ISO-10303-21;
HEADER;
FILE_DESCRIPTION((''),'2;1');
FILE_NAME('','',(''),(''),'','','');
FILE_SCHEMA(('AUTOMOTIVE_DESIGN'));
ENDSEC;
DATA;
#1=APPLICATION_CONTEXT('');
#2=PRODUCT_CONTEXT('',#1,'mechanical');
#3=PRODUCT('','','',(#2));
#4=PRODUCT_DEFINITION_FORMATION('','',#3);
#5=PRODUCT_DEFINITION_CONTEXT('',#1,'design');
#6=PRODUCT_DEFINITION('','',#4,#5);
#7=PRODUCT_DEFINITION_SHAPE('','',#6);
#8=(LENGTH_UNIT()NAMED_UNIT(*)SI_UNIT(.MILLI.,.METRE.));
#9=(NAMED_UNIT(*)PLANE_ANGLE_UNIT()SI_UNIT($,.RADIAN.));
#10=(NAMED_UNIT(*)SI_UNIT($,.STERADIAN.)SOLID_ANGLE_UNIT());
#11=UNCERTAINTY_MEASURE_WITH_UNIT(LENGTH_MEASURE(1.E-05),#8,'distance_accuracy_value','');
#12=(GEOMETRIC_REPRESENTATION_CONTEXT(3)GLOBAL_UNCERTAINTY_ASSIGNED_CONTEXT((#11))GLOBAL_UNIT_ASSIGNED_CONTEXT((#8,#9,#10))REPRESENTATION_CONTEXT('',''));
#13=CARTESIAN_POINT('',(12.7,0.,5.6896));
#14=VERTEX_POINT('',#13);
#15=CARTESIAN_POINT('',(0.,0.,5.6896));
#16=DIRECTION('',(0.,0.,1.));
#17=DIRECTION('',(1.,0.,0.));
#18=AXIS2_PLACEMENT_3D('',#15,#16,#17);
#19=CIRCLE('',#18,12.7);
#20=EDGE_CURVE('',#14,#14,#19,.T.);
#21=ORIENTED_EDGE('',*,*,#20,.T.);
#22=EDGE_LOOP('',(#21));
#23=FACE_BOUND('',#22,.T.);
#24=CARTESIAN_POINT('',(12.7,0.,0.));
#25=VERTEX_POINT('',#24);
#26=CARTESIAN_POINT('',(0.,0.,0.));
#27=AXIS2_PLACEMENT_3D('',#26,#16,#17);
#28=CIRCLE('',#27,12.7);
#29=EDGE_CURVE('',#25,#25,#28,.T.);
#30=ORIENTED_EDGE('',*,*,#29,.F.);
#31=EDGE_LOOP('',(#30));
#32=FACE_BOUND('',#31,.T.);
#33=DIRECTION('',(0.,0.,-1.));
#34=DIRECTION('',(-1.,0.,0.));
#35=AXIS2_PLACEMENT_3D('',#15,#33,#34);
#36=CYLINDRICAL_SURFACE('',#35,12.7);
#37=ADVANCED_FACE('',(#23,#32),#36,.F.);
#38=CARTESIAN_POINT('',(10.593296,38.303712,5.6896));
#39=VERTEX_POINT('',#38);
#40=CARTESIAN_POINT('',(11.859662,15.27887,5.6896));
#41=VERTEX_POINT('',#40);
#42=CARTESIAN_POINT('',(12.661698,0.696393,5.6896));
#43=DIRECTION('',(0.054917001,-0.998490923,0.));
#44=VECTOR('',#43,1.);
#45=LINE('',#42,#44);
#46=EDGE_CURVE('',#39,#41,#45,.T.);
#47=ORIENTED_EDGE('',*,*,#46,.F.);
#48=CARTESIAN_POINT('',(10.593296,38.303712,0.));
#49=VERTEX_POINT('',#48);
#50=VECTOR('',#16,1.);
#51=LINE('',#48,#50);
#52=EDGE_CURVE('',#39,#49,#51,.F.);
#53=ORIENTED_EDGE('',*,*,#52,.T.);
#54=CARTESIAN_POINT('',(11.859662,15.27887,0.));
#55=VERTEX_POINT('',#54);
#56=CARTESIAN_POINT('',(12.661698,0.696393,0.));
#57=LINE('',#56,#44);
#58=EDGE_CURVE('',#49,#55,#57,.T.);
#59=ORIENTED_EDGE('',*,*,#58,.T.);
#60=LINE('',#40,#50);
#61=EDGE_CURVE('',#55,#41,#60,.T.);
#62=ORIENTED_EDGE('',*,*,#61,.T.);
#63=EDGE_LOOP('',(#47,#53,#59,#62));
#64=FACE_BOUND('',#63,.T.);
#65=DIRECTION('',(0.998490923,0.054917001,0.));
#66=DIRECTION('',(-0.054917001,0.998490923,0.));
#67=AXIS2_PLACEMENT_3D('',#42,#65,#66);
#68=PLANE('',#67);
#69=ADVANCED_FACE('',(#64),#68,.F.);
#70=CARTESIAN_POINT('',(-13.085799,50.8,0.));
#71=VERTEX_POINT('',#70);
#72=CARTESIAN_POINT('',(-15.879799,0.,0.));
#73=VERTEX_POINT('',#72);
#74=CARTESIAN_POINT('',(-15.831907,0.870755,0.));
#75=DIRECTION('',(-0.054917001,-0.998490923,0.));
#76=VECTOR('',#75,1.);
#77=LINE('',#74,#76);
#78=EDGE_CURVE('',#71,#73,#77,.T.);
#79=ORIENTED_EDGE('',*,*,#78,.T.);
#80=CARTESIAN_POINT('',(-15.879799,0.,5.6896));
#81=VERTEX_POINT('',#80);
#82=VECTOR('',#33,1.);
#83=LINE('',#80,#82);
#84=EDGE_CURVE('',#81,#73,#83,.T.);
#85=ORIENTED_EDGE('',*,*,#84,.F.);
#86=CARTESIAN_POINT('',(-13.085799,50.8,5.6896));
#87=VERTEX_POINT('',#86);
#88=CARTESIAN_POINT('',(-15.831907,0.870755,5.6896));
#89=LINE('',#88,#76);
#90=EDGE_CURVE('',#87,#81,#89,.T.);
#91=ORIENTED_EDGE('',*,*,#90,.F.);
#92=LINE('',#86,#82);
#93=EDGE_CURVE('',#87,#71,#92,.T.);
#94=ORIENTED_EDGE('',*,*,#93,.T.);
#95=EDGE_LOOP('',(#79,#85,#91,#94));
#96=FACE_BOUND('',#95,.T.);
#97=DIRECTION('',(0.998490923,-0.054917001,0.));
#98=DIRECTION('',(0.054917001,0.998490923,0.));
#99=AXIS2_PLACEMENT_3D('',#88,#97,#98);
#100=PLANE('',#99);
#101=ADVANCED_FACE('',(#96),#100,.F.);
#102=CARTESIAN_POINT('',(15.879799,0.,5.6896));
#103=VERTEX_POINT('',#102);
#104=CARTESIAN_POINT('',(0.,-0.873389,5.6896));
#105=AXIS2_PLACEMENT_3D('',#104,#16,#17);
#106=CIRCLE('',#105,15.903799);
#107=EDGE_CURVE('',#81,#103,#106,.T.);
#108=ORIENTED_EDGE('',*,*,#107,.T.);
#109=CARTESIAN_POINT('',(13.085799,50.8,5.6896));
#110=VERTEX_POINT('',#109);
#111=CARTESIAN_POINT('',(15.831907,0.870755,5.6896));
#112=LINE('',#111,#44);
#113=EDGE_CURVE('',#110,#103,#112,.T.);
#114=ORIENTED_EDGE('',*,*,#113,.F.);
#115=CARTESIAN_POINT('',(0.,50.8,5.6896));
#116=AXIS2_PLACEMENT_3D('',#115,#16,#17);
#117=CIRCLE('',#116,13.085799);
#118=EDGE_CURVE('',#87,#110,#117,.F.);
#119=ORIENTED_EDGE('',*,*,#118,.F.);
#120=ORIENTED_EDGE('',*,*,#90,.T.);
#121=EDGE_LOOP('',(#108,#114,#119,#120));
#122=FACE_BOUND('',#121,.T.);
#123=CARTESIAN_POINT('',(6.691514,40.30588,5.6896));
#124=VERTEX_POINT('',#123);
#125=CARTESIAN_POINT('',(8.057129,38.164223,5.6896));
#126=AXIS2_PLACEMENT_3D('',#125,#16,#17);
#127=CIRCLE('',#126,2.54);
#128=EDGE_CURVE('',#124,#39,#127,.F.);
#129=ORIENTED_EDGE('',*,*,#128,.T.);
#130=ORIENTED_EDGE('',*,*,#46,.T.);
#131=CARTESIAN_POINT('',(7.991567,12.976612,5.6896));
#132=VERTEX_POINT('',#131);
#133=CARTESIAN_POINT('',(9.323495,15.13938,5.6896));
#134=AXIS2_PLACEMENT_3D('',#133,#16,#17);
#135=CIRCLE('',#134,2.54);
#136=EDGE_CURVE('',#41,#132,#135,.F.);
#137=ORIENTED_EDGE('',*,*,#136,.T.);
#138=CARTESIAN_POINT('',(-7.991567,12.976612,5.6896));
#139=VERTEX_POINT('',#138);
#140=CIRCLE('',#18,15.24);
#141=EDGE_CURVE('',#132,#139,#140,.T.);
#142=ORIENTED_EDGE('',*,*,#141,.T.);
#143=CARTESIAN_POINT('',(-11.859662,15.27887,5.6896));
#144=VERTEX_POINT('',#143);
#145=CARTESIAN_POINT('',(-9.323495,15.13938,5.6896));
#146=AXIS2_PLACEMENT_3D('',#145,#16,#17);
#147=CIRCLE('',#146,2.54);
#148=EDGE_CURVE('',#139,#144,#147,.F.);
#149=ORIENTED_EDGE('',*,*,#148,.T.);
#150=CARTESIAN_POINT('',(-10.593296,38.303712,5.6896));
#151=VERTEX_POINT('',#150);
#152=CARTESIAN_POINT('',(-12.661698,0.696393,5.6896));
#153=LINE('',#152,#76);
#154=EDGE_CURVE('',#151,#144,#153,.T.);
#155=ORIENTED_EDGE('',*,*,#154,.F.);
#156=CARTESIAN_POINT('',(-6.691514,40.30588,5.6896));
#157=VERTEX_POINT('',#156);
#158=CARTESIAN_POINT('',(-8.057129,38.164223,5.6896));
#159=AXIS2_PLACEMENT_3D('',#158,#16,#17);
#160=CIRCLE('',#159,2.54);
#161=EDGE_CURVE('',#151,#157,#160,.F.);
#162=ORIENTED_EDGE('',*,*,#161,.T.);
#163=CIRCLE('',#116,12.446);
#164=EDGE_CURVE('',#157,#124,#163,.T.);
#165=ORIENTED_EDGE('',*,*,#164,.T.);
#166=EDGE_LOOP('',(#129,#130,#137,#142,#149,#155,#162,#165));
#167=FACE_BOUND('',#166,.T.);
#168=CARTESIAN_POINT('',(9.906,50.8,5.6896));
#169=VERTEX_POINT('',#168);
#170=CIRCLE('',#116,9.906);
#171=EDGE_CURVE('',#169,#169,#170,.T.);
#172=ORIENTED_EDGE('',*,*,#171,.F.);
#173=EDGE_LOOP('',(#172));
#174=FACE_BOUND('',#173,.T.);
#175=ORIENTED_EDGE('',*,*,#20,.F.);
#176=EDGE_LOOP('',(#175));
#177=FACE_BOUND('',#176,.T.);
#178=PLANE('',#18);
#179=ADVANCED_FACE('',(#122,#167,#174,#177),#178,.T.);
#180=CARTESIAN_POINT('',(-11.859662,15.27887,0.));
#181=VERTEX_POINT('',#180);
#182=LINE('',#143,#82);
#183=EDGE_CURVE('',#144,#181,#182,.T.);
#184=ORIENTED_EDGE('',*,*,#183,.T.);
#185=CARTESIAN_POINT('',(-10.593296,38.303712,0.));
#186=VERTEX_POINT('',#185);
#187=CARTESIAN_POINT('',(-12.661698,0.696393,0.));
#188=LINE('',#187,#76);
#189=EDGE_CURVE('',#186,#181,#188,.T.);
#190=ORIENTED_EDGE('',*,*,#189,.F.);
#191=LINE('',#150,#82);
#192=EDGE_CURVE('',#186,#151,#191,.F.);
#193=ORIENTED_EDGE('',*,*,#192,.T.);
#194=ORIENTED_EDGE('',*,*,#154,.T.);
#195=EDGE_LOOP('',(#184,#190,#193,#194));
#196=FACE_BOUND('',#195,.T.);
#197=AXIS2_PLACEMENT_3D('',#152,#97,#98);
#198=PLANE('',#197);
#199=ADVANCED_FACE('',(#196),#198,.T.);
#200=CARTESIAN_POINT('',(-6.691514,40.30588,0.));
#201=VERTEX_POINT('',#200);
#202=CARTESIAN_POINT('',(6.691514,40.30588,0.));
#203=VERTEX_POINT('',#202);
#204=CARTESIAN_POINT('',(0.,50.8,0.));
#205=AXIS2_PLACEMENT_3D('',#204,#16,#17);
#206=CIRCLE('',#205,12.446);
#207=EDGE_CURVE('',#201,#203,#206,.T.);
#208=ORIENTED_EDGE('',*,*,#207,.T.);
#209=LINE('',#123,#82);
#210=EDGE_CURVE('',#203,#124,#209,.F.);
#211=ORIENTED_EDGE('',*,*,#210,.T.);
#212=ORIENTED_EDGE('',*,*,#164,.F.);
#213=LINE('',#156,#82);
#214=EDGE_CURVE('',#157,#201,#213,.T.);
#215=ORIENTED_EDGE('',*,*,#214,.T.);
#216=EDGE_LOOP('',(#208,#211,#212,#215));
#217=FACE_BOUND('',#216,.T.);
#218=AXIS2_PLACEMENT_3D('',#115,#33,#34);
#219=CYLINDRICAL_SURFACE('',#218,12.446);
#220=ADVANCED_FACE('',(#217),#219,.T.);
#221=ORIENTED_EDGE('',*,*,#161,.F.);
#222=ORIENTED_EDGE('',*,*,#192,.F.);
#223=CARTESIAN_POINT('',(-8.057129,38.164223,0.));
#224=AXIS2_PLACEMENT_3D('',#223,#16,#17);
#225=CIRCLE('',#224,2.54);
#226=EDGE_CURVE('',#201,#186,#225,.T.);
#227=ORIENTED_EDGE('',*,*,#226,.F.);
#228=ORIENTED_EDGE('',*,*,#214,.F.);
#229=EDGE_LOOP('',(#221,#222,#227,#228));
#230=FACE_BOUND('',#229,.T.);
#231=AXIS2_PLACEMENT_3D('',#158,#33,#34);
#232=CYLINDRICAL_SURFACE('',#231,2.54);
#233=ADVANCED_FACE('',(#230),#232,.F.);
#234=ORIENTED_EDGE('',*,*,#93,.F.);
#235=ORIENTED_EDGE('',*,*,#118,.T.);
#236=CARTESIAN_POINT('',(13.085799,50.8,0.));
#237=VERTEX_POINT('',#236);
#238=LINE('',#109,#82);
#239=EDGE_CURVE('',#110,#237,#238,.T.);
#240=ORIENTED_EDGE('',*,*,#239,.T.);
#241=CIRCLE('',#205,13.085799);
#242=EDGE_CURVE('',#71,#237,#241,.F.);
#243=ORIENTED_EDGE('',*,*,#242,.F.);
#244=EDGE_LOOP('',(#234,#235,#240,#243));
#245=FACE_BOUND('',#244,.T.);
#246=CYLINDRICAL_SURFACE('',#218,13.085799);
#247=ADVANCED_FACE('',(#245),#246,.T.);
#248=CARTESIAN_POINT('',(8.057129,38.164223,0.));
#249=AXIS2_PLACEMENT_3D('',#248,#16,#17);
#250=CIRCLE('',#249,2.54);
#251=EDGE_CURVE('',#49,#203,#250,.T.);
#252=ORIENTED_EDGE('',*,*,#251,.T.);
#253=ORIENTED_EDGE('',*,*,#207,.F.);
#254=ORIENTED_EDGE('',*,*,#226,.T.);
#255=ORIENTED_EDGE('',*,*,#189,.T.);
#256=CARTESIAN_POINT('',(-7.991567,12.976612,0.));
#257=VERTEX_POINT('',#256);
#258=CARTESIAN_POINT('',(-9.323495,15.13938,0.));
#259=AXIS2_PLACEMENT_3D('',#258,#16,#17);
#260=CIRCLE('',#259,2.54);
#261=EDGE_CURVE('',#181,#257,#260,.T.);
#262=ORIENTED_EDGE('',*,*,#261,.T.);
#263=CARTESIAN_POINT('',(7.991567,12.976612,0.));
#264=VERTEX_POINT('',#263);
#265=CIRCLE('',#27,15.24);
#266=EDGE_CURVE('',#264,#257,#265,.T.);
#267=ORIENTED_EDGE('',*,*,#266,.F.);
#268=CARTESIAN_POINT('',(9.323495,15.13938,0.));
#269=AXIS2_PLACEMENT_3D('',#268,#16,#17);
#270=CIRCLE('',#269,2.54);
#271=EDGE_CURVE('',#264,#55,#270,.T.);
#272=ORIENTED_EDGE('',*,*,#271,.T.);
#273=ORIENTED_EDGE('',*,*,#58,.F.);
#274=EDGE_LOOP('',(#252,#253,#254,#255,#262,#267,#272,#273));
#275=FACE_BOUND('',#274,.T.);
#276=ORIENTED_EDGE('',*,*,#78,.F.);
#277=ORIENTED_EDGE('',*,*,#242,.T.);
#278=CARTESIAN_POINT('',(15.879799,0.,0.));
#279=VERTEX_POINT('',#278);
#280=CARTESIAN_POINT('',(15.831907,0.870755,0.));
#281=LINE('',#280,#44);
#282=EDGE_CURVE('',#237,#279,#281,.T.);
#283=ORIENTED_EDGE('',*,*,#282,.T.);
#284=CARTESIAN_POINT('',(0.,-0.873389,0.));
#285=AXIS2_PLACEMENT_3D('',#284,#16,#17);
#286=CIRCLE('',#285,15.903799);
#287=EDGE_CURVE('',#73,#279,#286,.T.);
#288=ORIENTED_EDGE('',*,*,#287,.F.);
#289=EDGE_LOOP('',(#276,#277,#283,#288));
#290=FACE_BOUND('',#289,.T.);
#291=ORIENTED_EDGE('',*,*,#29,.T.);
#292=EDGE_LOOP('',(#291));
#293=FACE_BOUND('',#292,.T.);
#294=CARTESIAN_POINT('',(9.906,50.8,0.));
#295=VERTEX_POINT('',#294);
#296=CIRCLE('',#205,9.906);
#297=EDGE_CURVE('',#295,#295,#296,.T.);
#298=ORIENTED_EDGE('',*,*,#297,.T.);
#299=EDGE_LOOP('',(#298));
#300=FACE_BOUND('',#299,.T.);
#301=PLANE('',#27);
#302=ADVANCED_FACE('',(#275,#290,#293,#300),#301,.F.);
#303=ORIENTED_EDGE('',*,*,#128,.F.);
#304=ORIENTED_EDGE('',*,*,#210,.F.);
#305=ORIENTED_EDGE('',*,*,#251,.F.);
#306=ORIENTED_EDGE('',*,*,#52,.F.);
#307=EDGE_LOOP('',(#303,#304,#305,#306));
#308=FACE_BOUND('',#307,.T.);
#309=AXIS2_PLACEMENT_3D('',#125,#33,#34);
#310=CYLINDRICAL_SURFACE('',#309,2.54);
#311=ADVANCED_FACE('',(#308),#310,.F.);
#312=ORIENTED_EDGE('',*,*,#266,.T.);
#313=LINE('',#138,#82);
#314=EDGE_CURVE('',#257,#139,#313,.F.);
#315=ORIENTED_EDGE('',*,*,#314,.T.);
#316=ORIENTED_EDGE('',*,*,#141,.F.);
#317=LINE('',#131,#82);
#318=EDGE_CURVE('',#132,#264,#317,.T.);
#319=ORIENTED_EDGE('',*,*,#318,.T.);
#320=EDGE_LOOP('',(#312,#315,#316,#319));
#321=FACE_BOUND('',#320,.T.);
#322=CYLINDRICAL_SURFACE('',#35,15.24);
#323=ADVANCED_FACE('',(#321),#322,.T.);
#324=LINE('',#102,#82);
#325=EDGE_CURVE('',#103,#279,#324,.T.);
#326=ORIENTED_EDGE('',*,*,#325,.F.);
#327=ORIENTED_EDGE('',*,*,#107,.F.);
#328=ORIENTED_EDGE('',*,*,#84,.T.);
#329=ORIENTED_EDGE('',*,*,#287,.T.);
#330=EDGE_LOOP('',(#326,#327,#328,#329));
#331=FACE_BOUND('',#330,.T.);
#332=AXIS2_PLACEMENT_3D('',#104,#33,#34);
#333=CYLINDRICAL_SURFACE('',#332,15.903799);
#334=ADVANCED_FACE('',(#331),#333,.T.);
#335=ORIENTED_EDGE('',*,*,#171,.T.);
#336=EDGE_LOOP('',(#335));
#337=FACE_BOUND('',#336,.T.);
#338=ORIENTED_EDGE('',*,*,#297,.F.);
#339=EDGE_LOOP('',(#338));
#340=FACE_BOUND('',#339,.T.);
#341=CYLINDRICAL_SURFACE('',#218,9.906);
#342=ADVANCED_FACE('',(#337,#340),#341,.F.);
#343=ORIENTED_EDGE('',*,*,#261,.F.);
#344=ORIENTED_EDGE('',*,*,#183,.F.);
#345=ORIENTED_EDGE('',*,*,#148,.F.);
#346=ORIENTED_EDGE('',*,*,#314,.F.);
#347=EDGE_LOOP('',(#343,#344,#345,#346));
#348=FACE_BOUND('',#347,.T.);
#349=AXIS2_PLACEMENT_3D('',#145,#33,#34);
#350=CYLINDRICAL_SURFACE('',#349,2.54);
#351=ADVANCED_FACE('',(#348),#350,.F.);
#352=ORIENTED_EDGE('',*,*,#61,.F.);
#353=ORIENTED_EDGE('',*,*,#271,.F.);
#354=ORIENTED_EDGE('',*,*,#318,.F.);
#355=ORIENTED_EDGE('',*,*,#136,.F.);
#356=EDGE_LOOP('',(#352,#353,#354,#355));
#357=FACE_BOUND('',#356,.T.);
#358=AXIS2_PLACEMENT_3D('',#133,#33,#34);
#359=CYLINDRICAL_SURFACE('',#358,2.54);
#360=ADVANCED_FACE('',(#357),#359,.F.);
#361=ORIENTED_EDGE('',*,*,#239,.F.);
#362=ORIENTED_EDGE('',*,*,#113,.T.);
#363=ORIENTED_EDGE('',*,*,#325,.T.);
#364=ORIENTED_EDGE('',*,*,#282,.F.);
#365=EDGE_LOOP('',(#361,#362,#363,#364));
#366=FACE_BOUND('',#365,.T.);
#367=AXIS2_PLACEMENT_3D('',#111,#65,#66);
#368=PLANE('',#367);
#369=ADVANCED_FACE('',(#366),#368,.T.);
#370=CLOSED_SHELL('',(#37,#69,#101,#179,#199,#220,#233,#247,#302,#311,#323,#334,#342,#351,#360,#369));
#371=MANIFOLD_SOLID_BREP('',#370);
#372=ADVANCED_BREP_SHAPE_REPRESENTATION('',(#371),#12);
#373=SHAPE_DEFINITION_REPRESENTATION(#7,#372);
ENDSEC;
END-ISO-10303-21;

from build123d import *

# Parameters (mm, degrees)
SKETCH1_R           = 9.906
SKETCH1_R_2         = 12.7
BOSS_EXTRUDE1_DEPTH = 5.6896
FILLET1_R           = 2.54


with BuildPart() as part:
    # Sketch1 → Boss-Extrude1 (new body)
    with BuildSketch(Plane.XY):
        with BuildLine():
            ThreePointArc((13.085798561, 50.8), (0, 63.885798561), (-13.085798561, 50.8))
            Line((-13.085798561, 50.8), (-15.879798561, 0))
            ThreePointArc((-15.879798561, 0), (0, -16.777187541), (15.879798561, 0))
            Line((15.879798561, 0), (13.085798561, 50.8))
        make_face()
        with BuildLine():
            Line((-12.197482286, 9.136685717), (-10.290993585, 43.800116641))
            ThreePointArc((-10.290993585, 43.800116641), (0, 38.354), (10.290993585, 43.800116641))
            Line((10.290993585, 43.800116641), (12.197482286, 9.136685717))
            ThreePointArc((12.197482286, 9.136685717), (0, 15.24), (-12.197482286, 9.136685717))
        make_face(mode=Mode.SUBTRACT)
        with Locations((0, 50.8)):
            Circle(SKETCH1_R, mode=Mode.SUBTRACT)
        Circle(SKETCH1_R_2, mode=Mode.SUBTRACT)
    extrude(amount=BOSS_EXTRUDE1_DEPTH)

    # Fillet1
    fillet1_edges = [part.edges().sort_by_distance(p)[0] for p in [
        (-10.290993585, 43.800116641, 2.8448),
        (-12.197482286, 9.136685717, 2.8448),
        (12.197482286, 9.136685717, 2.8448),
        (10.290993585, 43.800116641, 2.8448),
    ]]
    fillet(fillet1_edges, radius=FILLET1_R)


solid = part.part
